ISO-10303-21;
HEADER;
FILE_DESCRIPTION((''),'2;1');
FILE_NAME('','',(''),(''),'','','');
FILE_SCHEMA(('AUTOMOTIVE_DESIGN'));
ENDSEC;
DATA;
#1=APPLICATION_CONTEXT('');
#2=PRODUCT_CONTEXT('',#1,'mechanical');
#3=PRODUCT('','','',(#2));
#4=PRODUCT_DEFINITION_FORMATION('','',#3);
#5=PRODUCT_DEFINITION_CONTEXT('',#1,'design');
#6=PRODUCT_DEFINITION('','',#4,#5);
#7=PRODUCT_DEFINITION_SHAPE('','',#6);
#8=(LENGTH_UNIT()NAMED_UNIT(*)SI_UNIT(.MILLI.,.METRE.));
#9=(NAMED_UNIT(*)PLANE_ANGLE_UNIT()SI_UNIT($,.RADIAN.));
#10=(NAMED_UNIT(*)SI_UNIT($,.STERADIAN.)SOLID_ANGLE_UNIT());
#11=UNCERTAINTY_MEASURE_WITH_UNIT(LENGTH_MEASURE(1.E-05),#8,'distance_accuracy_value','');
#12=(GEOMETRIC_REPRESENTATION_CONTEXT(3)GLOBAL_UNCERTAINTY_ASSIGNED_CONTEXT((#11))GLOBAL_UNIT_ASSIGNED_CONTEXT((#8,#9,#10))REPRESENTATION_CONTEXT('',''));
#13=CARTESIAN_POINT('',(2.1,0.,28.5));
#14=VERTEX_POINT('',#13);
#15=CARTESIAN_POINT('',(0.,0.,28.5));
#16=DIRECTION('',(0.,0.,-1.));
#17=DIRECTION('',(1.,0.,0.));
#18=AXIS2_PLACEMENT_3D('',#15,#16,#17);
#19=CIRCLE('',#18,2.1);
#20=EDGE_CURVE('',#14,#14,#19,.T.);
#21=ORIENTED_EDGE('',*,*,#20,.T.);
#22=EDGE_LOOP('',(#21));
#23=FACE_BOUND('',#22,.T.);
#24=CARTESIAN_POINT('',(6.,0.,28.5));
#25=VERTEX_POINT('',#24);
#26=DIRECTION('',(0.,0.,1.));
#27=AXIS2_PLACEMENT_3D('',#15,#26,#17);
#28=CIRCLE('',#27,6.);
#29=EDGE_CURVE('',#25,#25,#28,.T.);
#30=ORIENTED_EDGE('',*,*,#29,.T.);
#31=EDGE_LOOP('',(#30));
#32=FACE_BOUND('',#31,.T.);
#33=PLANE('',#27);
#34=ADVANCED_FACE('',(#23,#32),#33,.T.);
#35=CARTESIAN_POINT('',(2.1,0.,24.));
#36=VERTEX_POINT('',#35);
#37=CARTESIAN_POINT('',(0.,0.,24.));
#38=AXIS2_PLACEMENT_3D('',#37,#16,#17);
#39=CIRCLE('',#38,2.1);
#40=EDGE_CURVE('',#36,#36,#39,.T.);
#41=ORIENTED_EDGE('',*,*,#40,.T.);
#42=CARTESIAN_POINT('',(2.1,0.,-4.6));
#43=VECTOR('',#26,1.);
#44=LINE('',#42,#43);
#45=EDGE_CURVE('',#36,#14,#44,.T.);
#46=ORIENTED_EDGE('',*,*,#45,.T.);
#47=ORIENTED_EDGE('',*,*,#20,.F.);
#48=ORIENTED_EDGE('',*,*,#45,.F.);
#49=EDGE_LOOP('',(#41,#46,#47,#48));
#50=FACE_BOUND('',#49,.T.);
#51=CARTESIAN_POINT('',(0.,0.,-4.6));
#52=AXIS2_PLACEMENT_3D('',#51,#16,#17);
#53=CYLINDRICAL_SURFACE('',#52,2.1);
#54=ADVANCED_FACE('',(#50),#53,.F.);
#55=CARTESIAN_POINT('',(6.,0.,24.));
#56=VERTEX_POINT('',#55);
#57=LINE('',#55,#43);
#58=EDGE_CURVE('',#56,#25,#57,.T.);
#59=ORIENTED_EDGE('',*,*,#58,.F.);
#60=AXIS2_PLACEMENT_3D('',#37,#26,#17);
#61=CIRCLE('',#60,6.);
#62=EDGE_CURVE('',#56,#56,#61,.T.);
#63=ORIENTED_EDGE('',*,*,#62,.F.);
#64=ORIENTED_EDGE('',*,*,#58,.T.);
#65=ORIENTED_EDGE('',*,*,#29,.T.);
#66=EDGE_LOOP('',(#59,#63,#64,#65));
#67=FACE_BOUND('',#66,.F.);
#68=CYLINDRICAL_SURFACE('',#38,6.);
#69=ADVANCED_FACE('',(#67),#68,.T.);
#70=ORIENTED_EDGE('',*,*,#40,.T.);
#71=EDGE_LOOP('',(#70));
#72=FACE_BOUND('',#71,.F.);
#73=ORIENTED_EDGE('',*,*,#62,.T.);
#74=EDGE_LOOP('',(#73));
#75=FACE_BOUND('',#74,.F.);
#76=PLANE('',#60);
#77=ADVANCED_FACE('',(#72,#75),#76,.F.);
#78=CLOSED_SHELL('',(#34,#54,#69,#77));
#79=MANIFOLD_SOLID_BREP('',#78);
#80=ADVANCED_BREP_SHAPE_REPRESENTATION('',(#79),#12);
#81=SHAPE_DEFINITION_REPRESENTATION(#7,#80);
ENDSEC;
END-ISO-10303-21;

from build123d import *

# Parameters (mm, degrees)
CYLINDER037_R     = 2.1
CYLINDER037_DEPTH = 33.5
CYLINDER036_R     = 6
CYLINDER036_DEPTH = 4.5


with BuildPart() as cylinder037:
    # Cylinder037 → Cylinder037 (new body)
    with BuildSketch(Plane.XY.offset(-4.6)):
        Circle(CYLINDER037_R)
    extrude(amount=CYLINDER037_DEPTH)


with BuildPart() as cut028:
    # Cylinder036 → Cylinder036 (new body)
    with BuildSketch(Plane.XY.offset(24)):
        Circle(CYLINDER036_R)
    extrude(amount=CYLINDER036_DEPTH)

    # Cut028: cut Cylinder037
    add(cylinder037.part, mode=Mode.SUBTRACT)


solid = cut028.part
